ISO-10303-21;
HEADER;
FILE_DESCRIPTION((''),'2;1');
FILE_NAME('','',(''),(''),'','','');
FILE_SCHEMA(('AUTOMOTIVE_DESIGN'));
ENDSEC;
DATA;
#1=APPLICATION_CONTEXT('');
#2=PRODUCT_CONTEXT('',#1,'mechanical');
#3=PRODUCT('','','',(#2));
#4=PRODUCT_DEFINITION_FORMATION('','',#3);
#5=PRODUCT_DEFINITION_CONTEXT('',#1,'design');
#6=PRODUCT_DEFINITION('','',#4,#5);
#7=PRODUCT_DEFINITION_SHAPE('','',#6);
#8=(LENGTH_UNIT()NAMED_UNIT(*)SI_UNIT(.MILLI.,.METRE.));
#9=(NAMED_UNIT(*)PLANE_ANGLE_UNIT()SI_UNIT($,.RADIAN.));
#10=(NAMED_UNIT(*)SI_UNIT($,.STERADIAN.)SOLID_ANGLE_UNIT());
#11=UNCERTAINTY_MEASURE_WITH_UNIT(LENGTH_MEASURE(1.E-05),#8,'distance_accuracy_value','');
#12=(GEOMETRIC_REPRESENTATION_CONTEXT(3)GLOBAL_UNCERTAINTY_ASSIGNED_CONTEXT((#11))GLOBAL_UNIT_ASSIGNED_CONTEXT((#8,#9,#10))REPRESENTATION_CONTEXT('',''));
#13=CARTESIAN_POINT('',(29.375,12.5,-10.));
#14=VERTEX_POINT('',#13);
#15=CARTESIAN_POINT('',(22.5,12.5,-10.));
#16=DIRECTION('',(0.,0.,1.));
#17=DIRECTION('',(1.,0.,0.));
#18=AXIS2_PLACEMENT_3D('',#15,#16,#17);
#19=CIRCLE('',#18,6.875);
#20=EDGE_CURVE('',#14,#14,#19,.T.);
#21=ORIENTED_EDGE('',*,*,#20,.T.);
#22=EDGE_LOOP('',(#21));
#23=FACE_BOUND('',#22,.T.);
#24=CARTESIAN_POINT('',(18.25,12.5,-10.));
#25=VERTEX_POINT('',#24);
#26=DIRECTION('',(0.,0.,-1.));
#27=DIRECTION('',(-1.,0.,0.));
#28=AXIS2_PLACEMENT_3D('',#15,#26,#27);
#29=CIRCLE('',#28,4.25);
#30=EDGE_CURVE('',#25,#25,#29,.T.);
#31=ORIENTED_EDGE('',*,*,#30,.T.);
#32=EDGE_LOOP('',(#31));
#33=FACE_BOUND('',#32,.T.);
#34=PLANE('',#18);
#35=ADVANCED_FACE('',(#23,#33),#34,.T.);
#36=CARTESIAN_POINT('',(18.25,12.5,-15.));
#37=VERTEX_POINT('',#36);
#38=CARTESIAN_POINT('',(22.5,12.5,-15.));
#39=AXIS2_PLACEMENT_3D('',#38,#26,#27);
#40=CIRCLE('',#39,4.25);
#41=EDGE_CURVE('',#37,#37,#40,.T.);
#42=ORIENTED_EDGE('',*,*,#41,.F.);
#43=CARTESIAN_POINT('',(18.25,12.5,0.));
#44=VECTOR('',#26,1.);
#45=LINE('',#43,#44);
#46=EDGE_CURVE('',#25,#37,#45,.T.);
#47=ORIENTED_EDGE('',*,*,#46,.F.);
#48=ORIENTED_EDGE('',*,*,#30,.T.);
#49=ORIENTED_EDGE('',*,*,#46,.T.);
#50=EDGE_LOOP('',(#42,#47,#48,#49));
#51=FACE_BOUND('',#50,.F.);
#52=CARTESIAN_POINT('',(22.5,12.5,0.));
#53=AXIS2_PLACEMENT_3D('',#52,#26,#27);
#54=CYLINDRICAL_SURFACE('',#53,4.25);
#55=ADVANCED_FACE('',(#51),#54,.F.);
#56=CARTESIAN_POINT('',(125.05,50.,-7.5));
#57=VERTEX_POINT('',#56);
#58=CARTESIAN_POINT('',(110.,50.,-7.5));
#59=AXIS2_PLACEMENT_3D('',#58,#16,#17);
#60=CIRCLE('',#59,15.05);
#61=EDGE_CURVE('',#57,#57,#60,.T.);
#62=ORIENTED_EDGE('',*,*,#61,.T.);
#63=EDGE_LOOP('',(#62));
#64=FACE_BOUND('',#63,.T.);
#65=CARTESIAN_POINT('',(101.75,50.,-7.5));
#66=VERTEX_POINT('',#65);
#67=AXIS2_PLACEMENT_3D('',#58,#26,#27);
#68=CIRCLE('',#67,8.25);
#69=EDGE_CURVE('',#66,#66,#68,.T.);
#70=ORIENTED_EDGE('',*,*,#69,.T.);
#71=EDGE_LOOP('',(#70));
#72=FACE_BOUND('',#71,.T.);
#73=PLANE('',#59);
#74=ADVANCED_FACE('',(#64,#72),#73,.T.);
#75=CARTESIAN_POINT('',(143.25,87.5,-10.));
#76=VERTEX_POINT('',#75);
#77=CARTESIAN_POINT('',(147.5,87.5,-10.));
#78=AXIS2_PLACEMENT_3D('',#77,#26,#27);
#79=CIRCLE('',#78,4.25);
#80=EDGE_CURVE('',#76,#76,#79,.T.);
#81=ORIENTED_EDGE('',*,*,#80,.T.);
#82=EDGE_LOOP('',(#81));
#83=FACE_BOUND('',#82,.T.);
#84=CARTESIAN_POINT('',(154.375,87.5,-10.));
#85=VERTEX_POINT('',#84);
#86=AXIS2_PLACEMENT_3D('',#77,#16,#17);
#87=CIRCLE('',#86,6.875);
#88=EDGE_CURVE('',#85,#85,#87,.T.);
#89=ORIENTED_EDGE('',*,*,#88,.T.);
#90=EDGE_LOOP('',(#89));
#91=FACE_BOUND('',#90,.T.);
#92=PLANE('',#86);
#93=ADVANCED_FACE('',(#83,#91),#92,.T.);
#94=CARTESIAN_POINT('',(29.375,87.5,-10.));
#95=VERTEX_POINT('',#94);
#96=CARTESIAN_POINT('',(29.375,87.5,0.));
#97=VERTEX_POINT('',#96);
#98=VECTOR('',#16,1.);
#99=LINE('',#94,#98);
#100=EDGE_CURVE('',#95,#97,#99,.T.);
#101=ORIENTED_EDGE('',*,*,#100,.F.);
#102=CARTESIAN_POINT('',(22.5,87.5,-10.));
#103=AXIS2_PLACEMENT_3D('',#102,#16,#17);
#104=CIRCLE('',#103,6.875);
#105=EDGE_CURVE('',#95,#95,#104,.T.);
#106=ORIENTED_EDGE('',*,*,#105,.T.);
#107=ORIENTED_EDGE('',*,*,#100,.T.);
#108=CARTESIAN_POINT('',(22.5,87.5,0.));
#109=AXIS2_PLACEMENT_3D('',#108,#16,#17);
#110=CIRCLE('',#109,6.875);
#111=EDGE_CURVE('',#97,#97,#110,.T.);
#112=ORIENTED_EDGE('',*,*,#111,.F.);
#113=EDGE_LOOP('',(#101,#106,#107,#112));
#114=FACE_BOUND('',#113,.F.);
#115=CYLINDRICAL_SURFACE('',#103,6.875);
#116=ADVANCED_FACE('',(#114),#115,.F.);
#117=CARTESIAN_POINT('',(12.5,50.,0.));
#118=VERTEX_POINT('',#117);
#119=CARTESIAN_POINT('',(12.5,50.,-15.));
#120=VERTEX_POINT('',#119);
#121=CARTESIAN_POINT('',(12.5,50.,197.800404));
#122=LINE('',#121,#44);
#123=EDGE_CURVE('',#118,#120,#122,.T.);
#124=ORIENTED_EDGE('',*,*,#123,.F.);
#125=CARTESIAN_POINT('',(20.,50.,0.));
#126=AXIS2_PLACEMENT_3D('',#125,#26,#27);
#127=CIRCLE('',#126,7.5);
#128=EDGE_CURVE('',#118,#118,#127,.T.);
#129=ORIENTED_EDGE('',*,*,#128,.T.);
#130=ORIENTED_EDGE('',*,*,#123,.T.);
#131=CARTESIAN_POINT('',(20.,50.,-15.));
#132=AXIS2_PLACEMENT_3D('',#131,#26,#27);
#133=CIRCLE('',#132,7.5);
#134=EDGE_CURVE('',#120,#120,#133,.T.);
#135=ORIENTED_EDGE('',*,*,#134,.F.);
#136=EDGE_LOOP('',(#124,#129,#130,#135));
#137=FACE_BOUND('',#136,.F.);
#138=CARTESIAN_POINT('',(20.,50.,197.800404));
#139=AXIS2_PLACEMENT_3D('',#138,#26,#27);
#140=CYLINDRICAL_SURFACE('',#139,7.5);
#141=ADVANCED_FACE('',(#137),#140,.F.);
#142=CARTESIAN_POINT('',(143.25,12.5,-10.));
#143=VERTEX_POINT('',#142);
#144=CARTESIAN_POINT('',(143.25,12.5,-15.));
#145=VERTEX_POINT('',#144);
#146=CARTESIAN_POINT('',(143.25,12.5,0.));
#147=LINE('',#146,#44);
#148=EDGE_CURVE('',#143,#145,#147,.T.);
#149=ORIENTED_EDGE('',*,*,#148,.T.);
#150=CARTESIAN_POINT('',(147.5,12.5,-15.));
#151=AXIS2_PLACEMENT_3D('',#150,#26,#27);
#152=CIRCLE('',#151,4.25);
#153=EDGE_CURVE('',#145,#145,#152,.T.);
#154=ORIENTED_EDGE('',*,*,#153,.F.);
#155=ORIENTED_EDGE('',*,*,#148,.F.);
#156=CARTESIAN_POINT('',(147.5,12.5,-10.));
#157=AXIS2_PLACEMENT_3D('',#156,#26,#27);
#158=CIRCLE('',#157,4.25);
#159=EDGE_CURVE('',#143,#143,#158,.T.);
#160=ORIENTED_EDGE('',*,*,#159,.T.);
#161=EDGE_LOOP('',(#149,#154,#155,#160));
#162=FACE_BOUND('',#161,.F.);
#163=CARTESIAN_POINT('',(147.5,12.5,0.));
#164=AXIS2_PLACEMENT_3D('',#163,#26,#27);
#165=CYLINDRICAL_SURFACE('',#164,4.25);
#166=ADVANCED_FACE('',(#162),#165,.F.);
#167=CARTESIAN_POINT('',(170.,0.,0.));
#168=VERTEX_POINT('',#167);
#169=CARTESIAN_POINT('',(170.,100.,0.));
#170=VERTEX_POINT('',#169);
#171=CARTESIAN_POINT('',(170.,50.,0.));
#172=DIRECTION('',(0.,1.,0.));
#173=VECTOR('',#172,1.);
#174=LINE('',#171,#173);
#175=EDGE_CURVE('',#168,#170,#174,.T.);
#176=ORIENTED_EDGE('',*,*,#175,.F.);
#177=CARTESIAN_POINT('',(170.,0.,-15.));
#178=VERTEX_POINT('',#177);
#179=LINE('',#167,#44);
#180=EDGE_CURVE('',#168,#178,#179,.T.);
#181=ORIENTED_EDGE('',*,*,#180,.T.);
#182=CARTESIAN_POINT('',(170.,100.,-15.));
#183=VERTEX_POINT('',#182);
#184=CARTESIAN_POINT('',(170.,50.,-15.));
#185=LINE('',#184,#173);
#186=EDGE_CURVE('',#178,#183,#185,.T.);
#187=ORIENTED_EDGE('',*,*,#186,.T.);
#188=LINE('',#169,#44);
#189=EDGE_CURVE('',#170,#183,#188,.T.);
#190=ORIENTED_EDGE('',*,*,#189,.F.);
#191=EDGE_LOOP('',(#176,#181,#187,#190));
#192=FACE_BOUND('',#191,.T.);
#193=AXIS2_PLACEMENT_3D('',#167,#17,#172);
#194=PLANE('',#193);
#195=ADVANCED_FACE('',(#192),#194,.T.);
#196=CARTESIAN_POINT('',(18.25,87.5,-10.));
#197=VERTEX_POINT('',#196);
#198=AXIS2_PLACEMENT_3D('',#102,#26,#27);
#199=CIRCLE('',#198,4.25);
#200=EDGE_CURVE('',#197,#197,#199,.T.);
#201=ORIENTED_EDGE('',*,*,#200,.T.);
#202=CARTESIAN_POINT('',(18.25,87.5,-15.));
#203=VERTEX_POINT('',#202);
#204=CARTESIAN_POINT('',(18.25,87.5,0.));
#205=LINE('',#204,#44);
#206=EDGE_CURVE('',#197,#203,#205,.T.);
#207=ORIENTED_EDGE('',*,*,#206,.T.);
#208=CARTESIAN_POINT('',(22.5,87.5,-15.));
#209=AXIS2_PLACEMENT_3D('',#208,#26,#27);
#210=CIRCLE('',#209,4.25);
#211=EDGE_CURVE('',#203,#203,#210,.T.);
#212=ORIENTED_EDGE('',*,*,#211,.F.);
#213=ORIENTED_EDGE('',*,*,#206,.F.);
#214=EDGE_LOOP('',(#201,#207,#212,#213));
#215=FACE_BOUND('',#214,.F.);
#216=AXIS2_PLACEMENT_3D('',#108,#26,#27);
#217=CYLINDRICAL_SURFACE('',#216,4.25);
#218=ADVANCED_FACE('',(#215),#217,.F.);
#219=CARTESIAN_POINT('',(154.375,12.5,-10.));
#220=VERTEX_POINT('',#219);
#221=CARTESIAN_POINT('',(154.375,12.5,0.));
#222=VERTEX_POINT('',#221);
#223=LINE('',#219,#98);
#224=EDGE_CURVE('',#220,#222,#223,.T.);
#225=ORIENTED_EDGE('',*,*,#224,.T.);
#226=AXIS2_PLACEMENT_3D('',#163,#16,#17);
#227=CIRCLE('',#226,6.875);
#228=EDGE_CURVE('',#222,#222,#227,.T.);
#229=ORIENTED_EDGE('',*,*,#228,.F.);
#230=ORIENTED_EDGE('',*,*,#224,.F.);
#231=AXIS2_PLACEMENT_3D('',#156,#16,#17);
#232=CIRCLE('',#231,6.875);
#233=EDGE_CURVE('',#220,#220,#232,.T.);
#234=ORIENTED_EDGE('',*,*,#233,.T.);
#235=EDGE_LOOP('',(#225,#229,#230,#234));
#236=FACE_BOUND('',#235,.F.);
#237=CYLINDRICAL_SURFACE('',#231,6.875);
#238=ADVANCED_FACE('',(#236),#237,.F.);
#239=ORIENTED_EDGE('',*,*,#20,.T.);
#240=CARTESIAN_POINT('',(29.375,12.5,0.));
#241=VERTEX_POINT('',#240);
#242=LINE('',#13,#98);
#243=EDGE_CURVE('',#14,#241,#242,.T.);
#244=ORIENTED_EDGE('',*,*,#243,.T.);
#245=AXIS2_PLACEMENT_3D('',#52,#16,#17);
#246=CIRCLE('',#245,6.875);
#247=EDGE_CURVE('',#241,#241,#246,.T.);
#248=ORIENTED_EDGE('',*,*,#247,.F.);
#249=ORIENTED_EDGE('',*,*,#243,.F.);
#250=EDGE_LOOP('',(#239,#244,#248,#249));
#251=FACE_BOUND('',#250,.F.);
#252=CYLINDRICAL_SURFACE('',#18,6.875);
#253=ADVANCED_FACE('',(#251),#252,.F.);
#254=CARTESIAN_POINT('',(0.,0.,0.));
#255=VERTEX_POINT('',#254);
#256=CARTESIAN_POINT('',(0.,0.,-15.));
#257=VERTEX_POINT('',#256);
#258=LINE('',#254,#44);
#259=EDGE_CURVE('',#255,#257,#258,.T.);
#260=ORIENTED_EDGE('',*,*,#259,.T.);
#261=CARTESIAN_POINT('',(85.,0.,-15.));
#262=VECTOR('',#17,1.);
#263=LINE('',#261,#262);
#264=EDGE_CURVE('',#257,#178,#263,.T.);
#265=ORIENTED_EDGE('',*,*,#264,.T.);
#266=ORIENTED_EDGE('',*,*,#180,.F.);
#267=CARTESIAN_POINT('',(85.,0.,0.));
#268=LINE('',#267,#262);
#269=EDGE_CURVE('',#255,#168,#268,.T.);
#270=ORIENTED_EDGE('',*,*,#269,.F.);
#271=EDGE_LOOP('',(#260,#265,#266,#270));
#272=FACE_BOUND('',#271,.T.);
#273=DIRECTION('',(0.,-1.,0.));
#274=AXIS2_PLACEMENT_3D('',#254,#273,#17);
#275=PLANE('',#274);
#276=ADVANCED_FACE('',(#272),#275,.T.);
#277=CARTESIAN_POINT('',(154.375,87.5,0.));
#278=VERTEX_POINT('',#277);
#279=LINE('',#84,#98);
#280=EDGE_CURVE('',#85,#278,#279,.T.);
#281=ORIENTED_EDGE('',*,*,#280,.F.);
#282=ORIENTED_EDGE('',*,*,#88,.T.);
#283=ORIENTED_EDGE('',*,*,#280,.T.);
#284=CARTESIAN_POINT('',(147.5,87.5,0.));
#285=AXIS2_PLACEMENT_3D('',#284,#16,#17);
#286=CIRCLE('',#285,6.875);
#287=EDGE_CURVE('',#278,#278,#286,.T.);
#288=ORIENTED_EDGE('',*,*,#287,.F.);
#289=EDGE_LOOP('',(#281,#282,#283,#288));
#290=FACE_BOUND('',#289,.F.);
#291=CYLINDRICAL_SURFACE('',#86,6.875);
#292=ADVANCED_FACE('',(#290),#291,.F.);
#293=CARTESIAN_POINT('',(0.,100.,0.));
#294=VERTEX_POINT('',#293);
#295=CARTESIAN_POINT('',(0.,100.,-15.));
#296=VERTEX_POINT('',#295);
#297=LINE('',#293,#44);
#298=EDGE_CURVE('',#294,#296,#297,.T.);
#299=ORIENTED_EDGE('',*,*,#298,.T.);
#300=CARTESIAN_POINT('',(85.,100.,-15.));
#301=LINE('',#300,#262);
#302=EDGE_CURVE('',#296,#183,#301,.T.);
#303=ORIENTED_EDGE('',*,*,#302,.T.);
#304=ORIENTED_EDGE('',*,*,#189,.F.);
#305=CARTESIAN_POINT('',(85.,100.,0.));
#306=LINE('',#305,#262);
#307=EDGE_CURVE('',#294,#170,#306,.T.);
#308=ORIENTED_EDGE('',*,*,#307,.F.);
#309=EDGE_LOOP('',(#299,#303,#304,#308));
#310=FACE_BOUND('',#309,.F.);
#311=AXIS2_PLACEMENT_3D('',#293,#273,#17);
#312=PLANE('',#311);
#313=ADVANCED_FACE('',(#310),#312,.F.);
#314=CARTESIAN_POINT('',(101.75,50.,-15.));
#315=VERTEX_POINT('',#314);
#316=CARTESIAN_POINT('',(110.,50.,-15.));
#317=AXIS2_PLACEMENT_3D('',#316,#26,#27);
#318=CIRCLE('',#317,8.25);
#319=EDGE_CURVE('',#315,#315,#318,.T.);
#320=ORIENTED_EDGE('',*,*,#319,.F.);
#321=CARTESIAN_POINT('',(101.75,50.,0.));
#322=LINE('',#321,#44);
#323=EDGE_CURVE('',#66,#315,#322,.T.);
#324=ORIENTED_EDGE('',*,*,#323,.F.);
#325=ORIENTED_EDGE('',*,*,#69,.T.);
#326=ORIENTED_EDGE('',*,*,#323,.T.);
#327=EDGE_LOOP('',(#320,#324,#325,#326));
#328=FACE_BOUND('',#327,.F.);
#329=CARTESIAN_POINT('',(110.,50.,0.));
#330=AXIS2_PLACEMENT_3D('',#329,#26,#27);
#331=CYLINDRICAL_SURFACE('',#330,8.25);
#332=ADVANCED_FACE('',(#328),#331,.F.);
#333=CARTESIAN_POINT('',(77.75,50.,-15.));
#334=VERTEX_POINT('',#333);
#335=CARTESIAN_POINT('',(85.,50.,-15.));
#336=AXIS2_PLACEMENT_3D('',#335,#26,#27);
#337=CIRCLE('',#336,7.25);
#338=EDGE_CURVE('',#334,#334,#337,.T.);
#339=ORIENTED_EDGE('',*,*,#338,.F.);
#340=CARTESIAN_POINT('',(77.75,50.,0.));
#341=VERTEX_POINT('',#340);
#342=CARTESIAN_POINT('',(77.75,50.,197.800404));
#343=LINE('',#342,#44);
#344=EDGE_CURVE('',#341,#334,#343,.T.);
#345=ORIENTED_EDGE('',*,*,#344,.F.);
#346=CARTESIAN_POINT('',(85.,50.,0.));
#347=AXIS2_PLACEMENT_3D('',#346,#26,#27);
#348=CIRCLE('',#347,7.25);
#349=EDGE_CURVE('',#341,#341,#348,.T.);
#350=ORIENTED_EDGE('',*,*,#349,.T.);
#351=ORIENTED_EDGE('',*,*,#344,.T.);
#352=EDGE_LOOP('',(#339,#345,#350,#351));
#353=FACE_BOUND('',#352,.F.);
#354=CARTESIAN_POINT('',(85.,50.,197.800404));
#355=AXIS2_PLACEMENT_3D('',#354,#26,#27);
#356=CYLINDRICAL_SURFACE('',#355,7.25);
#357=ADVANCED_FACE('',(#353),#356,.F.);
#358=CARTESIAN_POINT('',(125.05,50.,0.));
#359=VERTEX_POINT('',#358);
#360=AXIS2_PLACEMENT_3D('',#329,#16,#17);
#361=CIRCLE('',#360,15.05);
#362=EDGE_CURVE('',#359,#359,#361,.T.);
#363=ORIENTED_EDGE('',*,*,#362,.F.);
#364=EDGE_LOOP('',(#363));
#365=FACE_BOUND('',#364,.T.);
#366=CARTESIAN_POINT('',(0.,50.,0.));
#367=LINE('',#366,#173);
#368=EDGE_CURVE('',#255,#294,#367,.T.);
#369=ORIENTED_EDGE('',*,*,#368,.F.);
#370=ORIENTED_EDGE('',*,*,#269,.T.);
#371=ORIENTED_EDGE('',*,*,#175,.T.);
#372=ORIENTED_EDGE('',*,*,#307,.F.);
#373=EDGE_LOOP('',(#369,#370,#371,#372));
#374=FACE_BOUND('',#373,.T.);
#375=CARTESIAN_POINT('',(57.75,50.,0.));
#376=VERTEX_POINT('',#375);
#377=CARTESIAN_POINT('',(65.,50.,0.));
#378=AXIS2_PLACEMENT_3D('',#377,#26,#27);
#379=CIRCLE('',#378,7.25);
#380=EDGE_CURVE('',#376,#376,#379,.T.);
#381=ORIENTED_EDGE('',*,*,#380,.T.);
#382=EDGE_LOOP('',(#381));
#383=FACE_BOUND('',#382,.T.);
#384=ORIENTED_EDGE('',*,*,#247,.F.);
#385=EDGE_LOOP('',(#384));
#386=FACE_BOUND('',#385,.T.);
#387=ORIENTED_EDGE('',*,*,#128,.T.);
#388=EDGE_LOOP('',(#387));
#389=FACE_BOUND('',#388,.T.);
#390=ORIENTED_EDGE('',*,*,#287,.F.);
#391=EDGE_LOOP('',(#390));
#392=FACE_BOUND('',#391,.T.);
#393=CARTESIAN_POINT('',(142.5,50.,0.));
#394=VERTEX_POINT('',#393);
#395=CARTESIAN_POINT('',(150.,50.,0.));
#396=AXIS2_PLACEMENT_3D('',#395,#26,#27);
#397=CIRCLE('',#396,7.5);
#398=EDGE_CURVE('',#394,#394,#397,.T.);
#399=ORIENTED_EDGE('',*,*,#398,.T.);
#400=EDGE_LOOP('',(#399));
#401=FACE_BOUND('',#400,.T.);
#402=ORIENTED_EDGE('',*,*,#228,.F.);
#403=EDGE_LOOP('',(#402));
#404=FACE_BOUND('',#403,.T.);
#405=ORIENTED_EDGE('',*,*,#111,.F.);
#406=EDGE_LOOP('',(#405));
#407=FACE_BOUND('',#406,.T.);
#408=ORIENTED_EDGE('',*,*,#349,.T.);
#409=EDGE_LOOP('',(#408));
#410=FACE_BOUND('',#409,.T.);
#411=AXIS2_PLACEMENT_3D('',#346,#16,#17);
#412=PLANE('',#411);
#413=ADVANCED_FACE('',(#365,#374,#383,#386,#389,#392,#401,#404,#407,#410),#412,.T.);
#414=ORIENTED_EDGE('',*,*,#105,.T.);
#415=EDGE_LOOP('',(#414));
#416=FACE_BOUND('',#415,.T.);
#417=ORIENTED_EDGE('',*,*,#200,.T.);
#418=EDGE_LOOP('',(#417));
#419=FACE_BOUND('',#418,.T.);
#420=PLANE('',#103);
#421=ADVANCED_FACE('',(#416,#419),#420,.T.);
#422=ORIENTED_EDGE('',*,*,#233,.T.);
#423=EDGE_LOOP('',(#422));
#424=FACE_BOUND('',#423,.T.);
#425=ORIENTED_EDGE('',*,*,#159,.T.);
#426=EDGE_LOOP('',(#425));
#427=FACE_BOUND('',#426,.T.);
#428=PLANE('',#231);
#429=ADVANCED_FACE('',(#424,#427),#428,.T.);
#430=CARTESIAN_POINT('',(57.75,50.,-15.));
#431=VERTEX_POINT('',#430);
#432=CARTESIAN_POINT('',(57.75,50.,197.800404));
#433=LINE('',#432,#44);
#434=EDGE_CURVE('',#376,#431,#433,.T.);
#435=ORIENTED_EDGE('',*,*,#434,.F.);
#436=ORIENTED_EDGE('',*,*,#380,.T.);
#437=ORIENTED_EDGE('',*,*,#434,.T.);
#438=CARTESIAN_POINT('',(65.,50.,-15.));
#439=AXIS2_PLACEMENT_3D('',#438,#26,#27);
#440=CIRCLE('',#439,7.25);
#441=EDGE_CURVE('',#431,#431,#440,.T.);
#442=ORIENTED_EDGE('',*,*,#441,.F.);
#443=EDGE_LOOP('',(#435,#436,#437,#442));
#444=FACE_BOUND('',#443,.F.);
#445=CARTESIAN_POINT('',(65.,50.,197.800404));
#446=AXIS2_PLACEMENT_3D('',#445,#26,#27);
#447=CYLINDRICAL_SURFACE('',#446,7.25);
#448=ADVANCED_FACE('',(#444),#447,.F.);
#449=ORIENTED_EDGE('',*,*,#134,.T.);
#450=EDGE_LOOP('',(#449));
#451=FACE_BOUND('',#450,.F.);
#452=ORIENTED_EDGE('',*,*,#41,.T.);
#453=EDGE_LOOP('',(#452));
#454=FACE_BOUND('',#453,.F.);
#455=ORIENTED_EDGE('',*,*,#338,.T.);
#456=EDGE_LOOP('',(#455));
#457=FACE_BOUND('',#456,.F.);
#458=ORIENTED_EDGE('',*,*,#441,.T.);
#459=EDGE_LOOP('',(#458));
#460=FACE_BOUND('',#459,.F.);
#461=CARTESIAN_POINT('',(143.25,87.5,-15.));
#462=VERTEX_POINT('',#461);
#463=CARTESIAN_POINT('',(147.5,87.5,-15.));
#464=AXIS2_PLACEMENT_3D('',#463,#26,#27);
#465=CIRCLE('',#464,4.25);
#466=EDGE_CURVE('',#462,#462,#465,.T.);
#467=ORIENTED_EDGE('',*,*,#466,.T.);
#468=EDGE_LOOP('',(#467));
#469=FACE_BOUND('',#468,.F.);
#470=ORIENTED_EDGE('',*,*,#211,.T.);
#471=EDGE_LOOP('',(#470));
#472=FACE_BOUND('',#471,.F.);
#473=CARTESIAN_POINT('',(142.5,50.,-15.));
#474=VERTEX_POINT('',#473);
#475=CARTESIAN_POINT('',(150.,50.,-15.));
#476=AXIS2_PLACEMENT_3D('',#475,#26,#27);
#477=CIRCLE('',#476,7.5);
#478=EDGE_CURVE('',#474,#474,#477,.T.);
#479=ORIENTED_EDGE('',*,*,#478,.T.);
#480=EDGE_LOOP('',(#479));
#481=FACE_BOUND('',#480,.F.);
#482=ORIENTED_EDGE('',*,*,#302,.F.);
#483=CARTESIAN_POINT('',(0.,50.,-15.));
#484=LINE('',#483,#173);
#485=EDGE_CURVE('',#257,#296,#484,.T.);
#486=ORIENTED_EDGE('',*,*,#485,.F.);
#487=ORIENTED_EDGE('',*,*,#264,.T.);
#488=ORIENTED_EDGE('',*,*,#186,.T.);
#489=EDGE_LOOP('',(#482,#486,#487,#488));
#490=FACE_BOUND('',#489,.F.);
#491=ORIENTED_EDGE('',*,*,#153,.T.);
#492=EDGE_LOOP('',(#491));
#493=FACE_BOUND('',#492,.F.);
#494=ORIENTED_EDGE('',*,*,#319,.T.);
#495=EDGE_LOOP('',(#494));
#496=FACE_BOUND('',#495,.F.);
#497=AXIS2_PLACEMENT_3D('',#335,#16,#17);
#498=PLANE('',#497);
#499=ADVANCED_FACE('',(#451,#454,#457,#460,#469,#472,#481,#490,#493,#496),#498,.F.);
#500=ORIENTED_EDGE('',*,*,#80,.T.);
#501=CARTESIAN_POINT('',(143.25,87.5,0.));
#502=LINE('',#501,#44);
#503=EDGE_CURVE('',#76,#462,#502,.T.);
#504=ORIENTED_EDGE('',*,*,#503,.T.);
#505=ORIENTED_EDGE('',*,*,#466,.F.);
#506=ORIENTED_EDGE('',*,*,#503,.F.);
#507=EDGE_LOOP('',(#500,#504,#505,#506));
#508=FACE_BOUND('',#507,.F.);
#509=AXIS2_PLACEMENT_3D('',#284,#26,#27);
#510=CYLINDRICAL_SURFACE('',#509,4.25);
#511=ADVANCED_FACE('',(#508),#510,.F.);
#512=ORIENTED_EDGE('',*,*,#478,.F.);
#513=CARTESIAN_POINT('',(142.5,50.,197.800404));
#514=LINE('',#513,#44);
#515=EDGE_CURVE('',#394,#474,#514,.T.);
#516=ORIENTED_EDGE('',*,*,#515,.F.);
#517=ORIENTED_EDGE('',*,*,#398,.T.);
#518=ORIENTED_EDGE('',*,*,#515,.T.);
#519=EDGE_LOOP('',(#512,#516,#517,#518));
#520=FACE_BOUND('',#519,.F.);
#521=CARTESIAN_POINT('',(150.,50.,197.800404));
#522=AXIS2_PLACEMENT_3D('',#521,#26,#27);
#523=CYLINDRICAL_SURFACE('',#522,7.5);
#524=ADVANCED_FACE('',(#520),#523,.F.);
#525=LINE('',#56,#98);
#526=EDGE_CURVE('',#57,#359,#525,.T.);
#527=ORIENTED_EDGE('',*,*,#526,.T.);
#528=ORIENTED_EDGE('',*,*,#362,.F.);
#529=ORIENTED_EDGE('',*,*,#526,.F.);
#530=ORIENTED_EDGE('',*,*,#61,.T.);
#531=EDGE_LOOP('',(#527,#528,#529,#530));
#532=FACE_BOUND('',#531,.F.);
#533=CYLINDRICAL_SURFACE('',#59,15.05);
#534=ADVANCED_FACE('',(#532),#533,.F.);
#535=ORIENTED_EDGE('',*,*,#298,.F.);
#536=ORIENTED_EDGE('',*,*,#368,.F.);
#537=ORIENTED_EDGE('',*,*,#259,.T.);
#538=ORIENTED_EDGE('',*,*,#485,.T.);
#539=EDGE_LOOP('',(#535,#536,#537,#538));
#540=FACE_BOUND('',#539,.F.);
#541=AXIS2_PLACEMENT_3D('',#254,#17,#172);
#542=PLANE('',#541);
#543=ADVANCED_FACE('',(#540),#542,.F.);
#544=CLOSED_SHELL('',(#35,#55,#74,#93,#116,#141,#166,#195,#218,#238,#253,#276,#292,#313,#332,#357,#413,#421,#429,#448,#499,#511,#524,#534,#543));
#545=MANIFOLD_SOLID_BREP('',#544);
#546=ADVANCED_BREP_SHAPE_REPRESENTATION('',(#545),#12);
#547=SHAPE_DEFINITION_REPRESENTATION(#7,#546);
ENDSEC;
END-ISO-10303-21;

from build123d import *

# Parameters (mm, degrees)
F0_W           = 170
F0_H           = 100
F1_DEPTH       = 15
F3_D           = 8.5
F3_CBORE_D     = 13.75
F3_CBORE_DEPTH = 10
F5_D           = 15
F7_D           = 14.5
F9_D           = 16.5
F9_CBORE_D     = 30.1
F9_CBORE_DEPTH = 7.5


with BuildPart() as f1:
    # F0 (on Top) → F1 (new body)
    with BuildSketch(Plane.XY):
        with Locations((85, 50)):
            Rectangle(F0_W, F0_H)
    extrude(amount=-F1_DEPTH)

    # F3 (through all)
    with Locations(Plane.XY):
        with Locations((22.5, 87.5), (22.5, 12.5), (147.5, 87.5), (147.5, 12.5)):
            CounterBoreHole(F3_D / 2, F3_CBORE_D / 2, F3_CBORE_DEPTH)

    # F5 (through all)
    with Locations(Plane.XY):
        with Locations((20, 50), (150, 50)):
            Hole(F5_D / 2)

    # F7 (through all)
    with Locations(Plane.XY):
        with Locations((65, 50), (85, 50)):
            Hole(F7_D / 2)

    # F9 (through all)
    with Locations(Plane.XY):
        with Locations((110, 50)):
            CounterBoreHole(F9_D / 2, F9_CBORE_D / 2, F9_CBORE_DEPTH)


solid = f1.part
